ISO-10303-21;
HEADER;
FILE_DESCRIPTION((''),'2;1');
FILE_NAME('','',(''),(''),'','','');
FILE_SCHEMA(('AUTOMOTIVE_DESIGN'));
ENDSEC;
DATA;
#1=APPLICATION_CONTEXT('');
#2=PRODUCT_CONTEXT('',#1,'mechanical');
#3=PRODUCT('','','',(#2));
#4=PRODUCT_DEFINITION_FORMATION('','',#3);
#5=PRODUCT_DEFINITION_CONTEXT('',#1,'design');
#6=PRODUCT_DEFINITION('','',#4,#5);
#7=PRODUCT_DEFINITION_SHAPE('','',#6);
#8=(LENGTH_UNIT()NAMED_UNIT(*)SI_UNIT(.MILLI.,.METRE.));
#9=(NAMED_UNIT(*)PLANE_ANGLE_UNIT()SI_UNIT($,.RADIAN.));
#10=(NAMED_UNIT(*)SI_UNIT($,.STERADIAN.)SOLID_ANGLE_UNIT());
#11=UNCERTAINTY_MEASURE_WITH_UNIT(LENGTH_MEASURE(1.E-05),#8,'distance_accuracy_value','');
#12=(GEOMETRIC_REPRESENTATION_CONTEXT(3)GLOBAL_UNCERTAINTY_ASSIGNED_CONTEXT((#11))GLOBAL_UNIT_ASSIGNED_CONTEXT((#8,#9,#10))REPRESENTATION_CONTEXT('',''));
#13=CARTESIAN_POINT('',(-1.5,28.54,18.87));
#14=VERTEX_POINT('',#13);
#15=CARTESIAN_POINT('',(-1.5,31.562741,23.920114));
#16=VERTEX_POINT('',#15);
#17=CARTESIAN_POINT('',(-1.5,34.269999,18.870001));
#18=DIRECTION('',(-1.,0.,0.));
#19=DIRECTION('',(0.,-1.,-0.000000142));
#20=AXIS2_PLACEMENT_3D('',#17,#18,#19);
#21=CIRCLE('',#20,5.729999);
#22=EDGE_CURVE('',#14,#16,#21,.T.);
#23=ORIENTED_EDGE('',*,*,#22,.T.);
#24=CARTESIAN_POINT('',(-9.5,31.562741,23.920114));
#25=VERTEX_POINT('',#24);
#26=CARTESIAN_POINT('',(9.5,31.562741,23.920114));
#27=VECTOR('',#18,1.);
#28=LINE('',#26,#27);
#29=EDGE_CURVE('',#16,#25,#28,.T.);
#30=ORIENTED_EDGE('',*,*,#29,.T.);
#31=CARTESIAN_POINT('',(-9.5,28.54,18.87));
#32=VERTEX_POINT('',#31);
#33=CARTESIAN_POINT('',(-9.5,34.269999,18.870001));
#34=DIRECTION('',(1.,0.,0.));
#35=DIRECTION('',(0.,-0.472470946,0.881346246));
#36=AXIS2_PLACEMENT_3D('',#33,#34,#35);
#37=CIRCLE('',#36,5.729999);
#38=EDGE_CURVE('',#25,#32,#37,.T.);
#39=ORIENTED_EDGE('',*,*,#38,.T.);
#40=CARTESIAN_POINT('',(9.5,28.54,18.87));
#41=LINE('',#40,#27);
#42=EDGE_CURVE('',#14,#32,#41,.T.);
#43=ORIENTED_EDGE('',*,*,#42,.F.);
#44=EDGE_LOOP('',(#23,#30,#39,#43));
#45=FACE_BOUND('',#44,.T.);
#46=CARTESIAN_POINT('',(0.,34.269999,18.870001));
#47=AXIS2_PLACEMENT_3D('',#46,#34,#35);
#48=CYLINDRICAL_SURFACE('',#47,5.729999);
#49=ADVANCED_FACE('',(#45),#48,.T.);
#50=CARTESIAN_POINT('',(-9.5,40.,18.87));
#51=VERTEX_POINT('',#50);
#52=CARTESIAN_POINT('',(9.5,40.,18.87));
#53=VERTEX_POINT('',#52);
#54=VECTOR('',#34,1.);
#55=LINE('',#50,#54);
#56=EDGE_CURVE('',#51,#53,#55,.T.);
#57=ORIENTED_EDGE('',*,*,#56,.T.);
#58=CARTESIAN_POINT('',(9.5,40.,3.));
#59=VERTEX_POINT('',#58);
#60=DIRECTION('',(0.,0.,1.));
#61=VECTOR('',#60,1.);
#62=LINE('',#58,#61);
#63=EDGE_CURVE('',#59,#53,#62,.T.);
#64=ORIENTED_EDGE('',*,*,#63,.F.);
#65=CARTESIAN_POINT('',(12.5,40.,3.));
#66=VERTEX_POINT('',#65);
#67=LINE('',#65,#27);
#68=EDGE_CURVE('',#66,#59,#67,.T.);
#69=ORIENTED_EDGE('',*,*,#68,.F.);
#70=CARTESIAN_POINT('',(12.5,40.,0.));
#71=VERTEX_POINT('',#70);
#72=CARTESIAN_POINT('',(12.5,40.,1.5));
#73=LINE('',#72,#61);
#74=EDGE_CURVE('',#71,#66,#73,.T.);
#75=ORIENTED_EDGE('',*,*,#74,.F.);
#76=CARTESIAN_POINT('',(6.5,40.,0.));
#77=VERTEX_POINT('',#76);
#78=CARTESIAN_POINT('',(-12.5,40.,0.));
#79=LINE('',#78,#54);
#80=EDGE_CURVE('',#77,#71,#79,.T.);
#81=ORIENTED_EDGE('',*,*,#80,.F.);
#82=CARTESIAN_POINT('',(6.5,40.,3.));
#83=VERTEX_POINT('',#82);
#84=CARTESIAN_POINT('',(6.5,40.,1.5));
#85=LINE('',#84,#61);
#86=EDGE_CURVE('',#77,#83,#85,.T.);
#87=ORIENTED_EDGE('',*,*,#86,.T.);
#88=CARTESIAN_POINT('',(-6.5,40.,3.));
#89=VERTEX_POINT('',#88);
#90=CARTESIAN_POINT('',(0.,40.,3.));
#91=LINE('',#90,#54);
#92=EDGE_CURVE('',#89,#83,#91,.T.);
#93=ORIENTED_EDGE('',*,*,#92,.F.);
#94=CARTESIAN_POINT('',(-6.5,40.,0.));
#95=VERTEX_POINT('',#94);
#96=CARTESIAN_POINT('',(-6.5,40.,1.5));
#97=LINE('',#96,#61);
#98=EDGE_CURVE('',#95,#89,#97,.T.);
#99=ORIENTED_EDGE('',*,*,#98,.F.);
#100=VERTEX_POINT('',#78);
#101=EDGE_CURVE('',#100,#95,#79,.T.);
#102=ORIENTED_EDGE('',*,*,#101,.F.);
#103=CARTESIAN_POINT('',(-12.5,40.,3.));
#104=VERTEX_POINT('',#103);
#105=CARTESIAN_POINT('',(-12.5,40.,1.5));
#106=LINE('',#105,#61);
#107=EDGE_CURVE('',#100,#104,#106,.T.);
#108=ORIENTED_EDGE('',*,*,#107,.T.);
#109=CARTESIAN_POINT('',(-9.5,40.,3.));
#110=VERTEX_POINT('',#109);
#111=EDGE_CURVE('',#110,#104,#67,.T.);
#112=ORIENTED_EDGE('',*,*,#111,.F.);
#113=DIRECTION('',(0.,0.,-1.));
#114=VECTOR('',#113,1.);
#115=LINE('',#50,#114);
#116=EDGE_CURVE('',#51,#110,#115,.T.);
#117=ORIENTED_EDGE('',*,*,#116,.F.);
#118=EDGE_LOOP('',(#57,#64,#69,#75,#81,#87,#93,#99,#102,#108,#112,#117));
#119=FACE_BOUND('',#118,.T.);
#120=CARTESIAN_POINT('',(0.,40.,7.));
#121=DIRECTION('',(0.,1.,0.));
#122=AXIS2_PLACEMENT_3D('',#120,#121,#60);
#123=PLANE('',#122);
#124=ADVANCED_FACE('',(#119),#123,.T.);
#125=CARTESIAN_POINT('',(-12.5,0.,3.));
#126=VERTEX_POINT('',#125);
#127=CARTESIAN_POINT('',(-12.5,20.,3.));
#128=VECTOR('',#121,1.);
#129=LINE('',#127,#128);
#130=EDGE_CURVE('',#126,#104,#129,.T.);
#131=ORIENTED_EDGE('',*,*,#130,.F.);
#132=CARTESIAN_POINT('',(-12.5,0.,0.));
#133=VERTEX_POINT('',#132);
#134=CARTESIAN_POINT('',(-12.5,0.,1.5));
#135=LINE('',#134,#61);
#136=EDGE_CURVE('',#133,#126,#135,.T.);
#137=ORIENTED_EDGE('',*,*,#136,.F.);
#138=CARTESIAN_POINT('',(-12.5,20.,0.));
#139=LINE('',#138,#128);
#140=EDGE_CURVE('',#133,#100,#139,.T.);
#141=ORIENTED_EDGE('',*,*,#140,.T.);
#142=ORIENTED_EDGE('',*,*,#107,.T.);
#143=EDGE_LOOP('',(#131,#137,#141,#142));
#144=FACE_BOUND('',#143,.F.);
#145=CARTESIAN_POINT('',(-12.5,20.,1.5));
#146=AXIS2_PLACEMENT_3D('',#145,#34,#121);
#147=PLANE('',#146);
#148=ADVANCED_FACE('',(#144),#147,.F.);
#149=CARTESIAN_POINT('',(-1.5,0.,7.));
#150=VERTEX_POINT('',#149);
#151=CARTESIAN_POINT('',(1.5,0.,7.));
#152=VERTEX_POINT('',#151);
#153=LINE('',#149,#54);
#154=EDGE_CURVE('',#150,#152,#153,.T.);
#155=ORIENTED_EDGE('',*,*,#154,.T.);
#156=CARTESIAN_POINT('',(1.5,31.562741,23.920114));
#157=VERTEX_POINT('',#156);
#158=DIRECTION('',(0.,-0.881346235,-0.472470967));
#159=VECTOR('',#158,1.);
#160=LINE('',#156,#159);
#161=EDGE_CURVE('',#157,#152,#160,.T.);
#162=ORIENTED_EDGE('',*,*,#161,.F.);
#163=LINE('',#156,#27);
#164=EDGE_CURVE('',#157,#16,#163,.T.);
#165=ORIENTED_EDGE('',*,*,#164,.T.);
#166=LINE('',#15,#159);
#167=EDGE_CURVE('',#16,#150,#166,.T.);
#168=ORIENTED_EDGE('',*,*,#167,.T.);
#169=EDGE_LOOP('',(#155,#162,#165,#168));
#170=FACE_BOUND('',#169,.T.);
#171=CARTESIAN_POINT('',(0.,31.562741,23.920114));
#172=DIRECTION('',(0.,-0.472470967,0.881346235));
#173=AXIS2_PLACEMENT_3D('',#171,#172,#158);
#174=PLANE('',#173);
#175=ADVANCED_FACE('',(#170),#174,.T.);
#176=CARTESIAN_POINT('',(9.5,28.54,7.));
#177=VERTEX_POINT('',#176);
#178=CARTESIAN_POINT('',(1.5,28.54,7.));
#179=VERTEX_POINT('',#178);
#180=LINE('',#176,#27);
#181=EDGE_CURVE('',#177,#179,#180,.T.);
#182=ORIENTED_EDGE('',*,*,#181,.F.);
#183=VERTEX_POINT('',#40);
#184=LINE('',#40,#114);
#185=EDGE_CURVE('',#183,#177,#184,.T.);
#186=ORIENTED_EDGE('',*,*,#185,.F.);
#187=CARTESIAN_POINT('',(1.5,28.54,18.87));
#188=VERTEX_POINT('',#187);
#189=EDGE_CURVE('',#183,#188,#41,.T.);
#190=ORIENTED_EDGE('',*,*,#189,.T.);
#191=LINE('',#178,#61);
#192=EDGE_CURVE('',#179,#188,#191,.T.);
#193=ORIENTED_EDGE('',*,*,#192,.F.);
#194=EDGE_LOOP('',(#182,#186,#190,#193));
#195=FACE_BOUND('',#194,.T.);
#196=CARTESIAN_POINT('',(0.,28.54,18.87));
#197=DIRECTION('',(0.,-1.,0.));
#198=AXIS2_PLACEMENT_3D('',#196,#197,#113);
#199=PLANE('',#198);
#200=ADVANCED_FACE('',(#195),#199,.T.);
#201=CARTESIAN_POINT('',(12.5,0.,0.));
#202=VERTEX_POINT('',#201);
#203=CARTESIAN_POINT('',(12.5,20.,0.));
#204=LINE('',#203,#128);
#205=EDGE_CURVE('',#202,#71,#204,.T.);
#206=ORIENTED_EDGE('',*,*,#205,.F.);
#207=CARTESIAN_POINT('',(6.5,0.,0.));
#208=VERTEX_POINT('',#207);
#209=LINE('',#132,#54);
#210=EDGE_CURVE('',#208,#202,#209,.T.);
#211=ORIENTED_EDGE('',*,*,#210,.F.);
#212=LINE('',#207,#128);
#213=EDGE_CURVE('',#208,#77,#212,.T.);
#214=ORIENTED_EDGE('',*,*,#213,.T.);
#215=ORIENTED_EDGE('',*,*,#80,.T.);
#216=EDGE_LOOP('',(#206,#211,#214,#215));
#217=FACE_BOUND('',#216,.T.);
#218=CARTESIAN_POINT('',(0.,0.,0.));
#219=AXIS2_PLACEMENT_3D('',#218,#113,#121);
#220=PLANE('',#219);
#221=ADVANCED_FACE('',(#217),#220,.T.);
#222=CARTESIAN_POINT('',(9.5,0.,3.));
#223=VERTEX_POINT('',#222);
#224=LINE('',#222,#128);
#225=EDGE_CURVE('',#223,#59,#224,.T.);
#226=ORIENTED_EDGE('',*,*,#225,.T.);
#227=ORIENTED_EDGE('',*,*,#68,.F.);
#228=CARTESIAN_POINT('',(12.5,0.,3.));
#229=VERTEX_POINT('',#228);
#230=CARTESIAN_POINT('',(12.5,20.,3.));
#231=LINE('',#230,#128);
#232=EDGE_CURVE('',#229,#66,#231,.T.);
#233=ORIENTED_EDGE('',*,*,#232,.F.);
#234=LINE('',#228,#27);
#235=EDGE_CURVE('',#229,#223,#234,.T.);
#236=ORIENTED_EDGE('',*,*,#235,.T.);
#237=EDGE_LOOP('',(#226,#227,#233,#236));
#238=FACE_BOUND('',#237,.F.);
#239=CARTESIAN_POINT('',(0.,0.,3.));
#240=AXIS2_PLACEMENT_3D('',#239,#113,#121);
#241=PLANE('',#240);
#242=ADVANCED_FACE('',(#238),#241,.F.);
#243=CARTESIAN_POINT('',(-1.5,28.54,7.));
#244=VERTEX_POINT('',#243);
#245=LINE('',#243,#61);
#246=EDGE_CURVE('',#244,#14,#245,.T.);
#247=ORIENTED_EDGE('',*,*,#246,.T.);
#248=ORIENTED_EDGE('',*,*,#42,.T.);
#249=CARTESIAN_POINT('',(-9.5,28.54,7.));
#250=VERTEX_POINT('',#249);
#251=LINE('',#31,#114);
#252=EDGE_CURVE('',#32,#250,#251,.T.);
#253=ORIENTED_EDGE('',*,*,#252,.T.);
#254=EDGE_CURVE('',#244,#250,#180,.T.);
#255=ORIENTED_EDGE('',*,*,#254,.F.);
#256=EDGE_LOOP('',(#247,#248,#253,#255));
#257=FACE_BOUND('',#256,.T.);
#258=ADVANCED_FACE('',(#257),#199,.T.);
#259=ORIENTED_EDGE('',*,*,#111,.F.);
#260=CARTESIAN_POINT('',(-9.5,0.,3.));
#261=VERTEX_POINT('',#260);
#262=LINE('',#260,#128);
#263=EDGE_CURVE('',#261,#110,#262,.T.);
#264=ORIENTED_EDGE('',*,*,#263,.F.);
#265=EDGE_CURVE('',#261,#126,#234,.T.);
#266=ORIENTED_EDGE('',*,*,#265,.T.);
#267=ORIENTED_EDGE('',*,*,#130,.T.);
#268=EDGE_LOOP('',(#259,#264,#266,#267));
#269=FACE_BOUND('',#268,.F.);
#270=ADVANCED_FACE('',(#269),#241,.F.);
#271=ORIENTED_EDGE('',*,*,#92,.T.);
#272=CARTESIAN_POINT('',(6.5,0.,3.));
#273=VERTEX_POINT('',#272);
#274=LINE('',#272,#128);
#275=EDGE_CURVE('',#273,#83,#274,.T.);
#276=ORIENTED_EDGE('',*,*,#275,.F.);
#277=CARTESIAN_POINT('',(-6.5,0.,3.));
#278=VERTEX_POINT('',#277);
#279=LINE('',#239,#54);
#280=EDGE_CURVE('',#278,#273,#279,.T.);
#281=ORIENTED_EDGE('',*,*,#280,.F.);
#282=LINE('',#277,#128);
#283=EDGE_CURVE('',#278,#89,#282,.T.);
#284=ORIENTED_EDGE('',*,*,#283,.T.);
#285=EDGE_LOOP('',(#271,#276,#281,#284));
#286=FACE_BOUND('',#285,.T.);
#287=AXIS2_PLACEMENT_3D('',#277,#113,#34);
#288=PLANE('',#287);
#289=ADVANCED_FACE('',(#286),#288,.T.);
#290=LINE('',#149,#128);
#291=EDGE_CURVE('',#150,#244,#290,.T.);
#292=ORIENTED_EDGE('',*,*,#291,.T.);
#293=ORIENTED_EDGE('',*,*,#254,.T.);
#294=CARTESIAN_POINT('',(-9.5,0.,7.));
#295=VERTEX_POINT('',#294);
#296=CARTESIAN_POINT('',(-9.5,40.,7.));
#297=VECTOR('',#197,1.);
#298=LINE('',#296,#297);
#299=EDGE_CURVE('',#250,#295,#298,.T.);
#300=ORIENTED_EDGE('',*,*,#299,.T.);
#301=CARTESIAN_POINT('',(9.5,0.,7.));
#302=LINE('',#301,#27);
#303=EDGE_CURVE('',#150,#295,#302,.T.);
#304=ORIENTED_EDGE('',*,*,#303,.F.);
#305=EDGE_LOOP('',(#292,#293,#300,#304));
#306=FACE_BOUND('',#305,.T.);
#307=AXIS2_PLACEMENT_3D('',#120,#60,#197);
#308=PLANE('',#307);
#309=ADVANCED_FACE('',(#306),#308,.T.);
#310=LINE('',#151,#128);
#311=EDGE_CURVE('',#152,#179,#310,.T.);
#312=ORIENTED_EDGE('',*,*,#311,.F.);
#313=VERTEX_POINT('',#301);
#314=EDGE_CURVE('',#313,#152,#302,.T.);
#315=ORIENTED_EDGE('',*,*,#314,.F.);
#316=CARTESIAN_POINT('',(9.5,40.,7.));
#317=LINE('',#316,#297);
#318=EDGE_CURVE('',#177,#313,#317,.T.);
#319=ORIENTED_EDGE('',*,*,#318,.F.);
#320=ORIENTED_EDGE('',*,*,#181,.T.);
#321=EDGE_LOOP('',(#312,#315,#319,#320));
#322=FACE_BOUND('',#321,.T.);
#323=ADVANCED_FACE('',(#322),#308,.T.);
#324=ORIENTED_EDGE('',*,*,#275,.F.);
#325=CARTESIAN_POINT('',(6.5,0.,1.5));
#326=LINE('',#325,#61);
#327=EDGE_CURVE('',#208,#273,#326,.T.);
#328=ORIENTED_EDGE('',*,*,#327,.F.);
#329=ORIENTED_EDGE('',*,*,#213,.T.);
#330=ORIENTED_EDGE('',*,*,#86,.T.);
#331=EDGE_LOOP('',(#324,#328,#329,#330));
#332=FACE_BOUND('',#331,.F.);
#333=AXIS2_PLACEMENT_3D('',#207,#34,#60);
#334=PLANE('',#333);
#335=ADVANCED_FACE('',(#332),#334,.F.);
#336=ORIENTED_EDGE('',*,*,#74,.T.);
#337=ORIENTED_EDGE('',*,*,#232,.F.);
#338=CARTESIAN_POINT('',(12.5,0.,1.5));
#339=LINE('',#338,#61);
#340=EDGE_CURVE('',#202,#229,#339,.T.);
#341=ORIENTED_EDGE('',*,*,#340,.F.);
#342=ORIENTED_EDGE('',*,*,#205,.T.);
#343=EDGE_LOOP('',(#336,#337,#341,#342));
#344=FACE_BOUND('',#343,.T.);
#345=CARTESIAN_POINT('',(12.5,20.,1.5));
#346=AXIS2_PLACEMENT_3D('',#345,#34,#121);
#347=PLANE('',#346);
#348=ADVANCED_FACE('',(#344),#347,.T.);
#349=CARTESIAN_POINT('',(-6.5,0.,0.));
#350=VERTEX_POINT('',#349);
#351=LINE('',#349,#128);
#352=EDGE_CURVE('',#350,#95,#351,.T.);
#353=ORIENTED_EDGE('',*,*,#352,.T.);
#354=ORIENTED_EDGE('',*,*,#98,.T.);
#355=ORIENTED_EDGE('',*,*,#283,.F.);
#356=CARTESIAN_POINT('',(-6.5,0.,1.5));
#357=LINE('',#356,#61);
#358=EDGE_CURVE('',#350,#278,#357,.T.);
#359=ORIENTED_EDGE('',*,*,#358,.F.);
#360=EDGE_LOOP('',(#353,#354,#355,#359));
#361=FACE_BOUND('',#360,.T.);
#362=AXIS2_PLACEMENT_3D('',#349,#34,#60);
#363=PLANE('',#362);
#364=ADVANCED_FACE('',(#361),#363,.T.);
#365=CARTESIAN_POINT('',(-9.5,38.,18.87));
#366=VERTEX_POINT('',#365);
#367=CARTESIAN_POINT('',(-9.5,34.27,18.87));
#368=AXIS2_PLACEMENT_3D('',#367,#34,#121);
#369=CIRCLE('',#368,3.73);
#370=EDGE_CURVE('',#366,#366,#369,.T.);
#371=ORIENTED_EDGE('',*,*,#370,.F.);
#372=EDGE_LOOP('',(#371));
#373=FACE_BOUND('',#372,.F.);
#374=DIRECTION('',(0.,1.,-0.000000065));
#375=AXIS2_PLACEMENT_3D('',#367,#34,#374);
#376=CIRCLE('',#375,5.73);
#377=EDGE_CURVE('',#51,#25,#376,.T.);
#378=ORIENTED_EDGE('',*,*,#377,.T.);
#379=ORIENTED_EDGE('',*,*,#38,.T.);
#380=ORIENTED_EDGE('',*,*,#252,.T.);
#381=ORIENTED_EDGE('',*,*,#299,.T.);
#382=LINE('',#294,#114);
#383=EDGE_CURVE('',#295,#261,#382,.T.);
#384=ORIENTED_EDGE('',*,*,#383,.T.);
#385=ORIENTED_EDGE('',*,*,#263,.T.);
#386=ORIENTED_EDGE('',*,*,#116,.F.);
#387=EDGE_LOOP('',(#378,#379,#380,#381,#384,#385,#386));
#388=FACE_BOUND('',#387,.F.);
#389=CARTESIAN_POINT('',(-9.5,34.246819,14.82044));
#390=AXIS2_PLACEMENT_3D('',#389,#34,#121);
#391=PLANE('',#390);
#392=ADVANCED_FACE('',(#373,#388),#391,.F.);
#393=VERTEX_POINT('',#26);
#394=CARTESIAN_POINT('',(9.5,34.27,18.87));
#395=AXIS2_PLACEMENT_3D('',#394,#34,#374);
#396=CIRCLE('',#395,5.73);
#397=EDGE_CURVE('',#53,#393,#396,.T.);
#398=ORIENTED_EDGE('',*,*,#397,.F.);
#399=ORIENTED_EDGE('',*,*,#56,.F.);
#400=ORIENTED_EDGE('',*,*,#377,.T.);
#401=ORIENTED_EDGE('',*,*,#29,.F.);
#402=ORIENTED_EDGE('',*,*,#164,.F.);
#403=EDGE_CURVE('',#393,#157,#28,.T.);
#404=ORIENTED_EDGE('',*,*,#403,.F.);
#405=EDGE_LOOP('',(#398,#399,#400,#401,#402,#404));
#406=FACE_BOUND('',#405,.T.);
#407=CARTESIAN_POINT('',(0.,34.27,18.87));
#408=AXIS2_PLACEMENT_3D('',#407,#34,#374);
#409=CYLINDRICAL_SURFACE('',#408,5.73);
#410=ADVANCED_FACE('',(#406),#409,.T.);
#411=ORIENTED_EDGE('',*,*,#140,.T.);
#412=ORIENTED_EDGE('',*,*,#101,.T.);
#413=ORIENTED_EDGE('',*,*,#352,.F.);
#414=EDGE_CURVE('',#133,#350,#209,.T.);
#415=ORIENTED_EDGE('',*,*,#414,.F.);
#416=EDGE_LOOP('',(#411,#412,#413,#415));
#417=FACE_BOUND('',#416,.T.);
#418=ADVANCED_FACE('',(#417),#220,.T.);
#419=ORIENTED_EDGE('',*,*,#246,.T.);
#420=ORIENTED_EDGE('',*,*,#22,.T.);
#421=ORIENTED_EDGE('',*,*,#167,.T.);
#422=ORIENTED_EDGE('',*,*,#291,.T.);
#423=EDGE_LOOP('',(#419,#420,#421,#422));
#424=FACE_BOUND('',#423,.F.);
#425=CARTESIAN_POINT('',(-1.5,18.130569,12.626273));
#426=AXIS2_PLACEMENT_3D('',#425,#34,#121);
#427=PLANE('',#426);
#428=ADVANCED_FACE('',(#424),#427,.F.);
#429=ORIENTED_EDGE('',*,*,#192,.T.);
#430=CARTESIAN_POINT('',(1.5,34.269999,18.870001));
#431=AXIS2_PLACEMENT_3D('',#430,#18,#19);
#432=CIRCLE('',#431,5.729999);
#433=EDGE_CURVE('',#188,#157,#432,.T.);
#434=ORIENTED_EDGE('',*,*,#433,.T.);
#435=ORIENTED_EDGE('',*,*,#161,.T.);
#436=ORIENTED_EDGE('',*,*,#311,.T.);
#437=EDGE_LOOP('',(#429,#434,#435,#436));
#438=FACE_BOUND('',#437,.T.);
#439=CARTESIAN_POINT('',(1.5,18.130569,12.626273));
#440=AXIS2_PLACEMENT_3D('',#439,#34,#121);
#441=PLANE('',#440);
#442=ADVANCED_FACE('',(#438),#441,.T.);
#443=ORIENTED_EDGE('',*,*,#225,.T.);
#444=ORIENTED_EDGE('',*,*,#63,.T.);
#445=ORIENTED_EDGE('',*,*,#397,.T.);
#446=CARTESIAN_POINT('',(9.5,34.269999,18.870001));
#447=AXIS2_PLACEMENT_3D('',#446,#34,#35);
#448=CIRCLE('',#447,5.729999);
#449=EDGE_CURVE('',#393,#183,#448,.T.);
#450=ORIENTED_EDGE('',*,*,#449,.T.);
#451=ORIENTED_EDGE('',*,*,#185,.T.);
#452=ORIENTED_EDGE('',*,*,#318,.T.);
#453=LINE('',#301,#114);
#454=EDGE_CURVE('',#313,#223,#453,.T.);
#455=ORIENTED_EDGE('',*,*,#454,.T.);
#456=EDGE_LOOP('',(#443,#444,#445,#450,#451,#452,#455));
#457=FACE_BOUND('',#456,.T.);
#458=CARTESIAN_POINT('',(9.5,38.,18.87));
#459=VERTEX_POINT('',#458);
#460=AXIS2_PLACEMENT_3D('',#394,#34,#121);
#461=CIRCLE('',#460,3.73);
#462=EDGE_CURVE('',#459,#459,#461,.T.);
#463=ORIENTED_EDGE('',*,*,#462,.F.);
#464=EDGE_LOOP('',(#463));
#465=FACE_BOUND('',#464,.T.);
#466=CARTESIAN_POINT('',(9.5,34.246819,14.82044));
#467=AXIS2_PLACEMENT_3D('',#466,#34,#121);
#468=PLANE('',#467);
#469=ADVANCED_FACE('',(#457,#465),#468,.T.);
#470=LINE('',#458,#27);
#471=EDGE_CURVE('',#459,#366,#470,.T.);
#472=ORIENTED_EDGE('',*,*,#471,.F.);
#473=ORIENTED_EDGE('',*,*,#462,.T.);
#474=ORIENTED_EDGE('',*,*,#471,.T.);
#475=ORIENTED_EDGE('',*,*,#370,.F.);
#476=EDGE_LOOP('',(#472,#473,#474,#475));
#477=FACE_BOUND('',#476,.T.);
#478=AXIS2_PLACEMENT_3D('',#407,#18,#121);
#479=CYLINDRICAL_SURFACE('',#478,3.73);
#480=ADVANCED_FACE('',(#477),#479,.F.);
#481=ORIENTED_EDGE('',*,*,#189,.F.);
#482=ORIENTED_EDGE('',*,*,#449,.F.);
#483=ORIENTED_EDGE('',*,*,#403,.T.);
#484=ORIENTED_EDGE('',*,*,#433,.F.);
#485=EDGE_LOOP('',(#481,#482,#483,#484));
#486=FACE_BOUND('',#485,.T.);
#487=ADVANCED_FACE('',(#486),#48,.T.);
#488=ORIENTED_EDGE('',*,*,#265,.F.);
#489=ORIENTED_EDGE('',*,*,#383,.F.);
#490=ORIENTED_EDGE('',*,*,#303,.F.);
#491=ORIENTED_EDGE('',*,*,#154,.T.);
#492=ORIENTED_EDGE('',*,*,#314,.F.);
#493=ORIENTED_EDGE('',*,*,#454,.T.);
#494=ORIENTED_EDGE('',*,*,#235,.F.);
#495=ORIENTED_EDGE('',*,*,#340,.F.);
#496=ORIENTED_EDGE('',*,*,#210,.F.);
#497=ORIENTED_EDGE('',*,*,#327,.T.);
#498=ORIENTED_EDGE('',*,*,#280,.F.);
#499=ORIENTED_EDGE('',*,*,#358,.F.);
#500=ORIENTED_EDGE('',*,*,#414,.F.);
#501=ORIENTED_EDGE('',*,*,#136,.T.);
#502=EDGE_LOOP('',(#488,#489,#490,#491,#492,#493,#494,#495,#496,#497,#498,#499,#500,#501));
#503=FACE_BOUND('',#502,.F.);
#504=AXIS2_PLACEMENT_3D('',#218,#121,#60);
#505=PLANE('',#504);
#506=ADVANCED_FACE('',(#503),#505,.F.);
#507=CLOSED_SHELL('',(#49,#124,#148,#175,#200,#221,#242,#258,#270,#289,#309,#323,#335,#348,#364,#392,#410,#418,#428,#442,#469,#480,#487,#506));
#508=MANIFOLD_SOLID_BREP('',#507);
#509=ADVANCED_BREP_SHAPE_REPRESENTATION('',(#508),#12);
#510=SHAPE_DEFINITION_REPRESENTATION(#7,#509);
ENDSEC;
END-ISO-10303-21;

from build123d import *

# Parameters (mm, degrees)
F0_W     = 40
F0_H     = 3
F1_DEPTH = 12.5
F2_DEPTH = 9.5
F0_R     = 3.73
F3_DEPTH = 9.5
F4_DEPTH = 1.5
F5_W     = 13
F5_H     = 3
F6_DEPTH = 40


with BuildPart() as f1:
    # F0 (on Right) → F1 (new body, symmetric)
    with BuildSketch(Plane.YZ):
        with Locations((20, 1.5)):
            Rectangle(F0_W, F0_H)
    extrude(amount=F1_DEPTH, both=True)

    # F0 (on Right) → F2 (join, symmetric)
    with BuildSketch(Plane.YZ):
        Polygon((0, 7), (0, 3), (40, 3), (40, 7), (28.54, 7), align=None)
    extrude(amount=F2_DEPTH, both=True)

    # F0 (on Right) → F3 (join, symmetric)
    with BuildSketch(Plane.YZ):
        with BuildLine():
            Line((28.54, 7), (40, 7))
            Line((40, 7), (40, 18.87))
            ThreePointArc((40, 18.87), (37.212814, 23.786579), (31.562741, 23.920114))
            ThreePointArc((31.562741, 23.920114), (29.353421, 21.812814), (28.54, 18.87))
            Line((28.54, 18.87), (28.54, 7))
        make_face()
        with Locations((34.27, 18.87)):
            Circle(F0_R, mode=Mode.SUBTRACT)
    extrude(amount=F3_DEPTH, both=True)

    # F0 (on Right) → F4 (join, symmetric)
    with BuildSketch(Plane.YZ):
        with BuildLine():
            Line((31.562741, 23.920114), (0, 7))
            Line((0, 7), (28.54, 7))
            Line((28.54, 7), (28.54, 18.87))
            ThreePointArc((28.54, 18.87), (29.353421, 21.812814), (31.562741, 23.920114))
        make_face()
    extrude(amount=F4_DEPTH, both=True)

    # F5 (on face) → F6 (cut, through all)
    with BuildSketch(Plane.XZ):
        with Locations((0, 1.5)):
            Rectangle(F5_W, F5_H)
    extrude(amount=-F6_DEPTH, mode=Mode.SUBTRACT)


solid = f1.part
